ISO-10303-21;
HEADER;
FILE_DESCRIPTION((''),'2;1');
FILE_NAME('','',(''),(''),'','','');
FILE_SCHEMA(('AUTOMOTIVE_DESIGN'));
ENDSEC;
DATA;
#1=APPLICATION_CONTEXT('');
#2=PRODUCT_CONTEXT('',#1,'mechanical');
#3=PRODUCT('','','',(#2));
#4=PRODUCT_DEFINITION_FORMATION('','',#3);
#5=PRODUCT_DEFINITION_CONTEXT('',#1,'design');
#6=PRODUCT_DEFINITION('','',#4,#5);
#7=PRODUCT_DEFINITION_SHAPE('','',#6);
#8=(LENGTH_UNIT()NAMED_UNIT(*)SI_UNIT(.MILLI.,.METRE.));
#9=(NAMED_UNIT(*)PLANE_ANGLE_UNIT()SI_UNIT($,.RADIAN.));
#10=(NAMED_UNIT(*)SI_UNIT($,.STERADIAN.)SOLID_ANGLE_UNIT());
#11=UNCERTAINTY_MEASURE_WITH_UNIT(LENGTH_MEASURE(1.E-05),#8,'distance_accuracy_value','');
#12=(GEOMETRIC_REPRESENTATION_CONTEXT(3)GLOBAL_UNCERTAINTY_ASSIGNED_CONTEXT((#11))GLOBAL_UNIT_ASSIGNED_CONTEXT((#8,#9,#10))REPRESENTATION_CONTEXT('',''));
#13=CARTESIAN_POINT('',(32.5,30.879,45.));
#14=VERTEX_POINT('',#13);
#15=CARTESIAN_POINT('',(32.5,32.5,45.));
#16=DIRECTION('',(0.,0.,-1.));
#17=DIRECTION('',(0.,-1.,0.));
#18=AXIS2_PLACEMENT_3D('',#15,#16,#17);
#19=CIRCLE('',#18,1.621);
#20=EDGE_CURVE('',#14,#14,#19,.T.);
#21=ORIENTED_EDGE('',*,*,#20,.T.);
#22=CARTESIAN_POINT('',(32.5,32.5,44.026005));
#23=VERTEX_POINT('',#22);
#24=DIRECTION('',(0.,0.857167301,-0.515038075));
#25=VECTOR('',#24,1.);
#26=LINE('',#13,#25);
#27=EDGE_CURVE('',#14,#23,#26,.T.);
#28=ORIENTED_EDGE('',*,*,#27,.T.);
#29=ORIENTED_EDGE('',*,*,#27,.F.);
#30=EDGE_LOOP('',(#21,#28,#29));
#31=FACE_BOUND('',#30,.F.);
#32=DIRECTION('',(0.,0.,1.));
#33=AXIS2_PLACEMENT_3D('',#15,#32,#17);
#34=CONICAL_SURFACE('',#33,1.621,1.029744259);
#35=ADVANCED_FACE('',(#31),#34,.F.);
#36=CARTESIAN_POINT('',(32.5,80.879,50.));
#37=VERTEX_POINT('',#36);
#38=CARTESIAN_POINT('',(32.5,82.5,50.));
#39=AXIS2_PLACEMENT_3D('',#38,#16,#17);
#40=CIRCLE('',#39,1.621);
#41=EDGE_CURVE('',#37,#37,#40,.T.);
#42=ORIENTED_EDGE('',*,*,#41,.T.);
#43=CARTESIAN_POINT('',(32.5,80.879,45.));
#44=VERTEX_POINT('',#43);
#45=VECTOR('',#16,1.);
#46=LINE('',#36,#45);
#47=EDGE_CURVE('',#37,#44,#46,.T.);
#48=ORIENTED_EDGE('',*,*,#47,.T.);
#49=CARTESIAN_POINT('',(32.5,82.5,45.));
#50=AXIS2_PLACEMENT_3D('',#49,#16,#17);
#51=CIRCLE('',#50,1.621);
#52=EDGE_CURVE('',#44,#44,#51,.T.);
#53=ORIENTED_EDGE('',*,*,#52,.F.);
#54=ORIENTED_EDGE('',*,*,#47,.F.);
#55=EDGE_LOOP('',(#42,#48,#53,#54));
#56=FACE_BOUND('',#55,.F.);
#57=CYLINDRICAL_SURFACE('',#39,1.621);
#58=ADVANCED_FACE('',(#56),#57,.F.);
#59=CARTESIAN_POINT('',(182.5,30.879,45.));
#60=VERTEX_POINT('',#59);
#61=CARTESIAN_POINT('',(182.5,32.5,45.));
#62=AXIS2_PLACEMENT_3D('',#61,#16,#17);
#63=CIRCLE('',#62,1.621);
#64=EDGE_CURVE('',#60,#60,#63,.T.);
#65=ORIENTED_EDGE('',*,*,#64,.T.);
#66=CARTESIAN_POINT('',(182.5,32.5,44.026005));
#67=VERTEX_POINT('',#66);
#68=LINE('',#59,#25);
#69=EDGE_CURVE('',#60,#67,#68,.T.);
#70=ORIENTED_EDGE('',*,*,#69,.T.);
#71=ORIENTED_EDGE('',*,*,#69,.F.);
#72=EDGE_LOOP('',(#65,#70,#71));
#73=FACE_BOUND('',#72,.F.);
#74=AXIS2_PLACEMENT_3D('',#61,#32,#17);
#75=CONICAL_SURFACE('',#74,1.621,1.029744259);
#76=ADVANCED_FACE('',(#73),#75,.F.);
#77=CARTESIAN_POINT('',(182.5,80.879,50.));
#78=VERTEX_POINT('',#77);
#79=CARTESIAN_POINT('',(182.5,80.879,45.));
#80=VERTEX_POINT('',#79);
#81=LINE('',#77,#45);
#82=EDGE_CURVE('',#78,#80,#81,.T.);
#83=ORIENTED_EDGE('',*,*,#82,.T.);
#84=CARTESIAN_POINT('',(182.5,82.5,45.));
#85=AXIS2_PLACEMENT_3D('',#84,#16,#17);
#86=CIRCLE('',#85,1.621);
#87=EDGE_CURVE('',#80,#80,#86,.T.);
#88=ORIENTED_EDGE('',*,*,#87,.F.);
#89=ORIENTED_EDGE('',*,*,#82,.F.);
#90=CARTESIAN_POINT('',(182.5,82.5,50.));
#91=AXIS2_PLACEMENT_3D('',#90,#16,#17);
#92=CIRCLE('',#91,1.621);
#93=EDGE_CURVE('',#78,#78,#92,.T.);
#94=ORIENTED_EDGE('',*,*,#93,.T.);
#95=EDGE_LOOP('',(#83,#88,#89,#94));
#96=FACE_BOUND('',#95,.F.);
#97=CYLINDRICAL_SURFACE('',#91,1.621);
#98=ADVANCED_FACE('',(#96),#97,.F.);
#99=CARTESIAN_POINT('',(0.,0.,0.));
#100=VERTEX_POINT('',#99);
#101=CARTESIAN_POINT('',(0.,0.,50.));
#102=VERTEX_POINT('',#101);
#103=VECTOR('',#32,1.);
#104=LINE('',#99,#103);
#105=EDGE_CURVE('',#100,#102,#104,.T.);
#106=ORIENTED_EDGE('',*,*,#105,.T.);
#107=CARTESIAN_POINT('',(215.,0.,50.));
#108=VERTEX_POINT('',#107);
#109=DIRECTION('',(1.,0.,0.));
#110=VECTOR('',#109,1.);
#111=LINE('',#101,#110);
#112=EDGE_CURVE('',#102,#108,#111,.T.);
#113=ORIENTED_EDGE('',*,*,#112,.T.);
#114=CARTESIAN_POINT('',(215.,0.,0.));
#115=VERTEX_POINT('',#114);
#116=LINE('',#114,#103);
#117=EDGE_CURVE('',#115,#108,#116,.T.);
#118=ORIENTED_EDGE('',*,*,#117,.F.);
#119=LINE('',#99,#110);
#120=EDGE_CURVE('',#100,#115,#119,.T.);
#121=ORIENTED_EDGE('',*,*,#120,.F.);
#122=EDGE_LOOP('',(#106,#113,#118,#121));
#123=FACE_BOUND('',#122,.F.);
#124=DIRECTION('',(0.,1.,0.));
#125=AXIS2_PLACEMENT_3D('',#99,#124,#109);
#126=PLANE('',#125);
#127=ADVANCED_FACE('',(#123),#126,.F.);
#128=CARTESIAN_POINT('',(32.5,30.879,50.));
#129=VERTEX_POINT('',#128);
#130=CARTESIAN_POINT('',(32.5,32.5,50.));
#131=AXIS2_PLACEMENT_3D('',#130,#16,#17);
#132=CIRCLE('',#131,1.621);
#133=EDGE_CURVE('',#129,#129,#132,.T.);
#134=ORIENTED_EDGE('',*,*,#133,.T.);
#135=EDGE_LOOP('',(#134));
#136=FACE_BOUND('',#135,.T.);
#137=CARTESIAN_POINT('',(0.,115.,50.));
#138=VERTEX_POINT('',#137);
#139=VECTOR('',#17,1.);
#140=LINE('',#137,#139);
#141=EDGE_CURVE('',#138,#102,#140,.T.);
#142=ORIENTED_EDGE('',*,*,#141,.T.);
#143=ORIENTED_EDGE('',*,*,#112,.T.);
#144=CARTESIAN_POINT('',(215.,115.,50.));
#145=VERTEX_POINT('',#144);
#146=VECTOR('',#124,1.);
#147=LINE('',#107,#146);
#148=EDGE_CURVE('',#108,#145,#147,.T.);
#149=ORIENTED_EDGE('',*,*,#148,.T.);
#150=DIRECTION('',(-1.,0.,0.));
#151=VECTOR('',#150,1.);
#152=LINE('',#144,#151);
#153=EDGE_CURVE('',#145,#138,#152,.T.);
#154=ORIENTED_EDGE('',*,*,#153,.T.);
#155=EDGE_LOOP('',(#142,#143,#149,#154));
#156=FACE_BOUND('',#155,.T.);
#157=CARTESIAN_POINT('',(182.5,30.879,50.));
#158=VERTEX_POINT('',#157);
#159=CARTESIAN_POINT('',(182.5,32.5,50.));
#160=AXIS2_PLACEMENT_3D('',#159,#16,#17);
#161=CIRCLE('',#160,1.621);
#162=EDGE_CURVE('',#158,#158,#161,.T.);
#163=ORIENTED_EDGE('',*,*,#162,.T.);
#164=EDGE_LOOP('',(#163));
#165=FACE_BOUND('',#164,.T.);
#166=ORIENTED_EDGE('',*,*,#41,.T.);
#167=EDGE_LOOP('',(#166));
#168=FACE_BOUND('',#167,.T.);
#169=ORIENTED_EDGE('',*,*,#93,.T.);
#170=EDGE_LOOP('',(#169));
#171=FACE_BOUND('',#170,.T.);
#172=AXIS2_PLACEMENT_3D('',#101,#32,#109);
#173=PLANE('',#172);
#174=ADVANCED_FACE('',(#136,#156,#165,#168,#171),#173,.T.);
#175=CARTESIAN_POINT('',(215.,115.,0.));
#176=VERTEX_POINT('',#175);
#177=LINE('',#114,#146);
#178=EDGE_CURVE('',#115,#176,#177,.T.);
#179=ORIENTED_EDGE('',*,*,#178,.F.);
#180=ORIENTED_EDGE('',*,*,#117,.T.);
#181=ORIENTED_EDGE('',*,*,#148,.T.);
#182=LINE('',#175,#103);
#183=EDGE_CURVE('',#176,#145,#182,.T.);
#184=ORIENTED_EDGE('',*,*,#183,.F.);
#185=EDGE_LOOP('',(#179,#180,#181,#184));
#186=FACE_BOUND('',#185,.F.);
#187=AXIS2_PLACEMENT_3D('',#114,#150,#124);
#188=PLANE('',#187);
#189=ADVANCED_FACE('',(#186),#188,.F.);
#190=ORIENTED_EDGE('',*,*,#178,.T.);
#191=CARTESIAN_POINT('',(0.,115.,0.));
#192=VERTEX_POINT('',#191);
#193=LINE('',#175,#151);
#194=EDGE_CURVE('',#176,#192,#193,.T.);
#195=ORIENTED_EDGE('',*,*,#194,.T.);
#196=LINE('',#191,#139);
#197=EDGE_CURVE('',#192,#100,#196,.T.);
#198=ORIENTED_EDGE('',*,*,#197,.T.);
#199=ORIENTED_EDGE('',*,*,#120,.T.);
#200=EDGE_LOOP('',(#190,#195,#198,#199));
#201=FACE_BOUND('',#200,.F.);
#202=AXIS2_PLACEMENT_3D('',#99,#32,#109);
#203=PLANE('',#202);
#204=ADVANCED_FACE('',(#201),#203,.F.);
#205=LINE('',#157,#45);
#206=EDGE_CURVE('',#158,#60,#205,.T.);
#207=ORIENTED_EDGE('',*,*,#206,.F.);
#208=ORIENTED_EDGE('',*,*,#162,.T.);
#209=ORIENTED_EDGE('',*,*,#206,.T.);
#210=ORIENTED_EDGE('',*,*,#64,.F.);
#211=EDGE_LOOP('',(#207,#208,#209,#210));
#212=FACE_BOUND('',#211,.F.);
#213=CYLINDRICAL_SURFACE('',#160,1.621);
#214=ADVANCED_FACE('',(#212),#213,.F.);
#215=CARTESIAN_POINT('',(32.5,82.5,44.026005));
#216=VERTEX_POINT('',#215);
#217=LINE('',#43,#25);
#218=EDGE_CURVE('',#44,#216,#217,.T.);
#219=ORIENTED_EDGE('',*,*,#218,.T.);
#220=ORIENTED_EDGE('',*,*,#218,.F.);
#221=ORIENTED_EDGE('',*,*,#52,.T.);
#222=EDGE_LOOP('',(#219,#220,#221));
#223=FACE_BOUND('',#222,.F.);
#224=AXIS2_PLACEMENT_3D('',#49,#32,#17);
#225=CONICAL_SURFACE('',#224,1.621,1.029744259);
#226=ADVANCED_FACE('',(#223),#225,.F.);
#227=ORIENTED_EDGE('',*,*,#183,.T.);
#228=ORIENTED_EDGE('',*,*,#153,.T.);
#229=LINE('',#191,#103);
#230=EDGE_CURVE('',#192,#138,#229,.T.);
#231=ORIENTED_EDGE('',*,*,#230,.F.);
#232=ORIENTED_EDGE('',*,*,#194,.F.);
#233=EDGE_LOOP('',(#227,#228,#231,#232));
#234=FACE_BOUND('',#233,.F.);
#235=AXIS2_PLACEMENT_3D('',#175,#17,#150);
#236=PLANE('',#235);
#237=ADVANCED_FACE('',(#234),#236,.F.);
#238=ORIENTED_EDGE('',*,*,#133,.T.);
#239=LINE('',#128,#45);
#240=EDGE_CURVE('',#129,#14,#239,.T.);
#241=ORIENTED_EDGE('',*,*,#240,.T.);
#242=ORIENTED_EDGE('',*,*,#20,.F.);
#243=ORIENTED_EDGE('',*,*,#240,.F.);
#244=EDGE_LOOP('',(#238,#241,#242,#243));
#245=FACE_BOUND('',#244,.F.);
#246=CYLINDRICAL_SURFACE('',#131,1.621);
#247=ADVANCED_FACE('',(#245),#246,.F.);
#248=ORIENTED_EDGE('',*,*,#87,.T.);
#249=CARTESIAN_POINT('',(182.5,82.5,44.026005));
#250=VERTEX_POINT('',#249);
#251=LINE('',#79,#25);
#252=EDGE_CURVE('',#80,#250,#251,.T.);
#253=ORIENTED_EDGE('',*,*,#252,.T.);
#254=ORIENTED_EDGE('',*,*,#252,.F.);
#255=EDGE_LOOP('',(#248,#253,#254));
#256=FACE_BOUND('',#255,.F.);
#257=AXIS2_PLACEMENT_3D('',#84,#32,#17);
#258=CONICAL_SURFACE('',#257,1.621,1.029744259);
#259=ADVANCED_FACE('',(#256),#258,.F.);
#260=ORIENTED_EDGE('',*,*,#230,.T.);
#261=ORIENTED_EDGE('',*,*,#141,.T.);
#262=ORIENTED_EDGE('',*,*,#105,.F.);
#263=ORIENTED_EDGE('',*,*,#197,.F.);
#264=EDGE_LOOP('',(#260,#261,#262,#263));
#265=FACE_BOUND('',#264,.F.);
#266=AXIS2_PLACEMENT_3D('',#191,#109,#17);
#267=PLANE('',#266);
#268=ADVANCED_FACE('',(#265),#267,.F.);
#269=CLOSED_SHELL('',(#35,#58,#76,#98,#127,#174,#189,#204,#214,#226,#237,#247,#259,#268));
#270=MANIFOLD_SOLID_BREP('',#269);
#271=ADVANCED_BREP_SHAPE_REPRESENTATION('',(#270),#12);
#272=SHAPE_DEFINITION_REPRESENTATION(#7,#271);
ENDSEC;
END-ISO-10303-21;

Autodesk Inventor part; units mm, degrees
ref_plane "YZ Plane" through (0, 0, 0) normal (1, 0, 0) x (0, 1, 0)
ref_plane "XZ Plane" through (0, 0, 0) normal (0, 1, 0) x (-1, 0, 0)
ref_plane "XY Plane" through (0, 0, 0) normal (0, 0, 1) x (1, 0, 0)
sketch "Sketch1" plane through (0, 0, 0) normal (0, 0, 1) x (1, 0, 0)
  line L0 (0, 0) -> (215, 0)
  line L1 (215, 0) -> (215, 115)
  line L2 (215, 115) -> (0, 115)
  line L3 (0, 115) -> (0, 0)
  dimension "d0" = 215
  dimension "d2" = 115
extrude "Extrusion1" add sketch "Sketch1" along normal blind 50
sketch "Sketch2" plane through (0, 0, 50) normal (0, 0, 1) x (1, 0, 0)
  line L0 (215, 0) -> (215, 115) projected
  line L1 (215, 115) -> (0, 115) projected
  line L2 (32.5, 82.5) -> (182.5, 82.5)
  line L3 (182.5, 82.5) -> (182.5, 32.5)
  line L4 (182.5, 32.5) -> (32.5, 32.5)
  line L5 (32.5, 32.5) -> (32.5, 82.5)
  point P0 (107.5, 82.5)
  point P1 (107.5, 115)
  point P2 (182.5, 57.5)
  point P3 (215, 57.5)
  dimension "d5" = 150
  dimension "d7" = 50
hole "Hole1" at (32.5, 82.5, 50) at (32.5, 32.5, 50) at (182.5, 32.5, 50) at (182.5, 82.5, 50) direction (0, 0, -1) diameter 3.242 depth 5 tip angle 118 thread size "M4x0.7" class "6H" standard "ANSI Metric M Profile"
properties part number "power supply"
